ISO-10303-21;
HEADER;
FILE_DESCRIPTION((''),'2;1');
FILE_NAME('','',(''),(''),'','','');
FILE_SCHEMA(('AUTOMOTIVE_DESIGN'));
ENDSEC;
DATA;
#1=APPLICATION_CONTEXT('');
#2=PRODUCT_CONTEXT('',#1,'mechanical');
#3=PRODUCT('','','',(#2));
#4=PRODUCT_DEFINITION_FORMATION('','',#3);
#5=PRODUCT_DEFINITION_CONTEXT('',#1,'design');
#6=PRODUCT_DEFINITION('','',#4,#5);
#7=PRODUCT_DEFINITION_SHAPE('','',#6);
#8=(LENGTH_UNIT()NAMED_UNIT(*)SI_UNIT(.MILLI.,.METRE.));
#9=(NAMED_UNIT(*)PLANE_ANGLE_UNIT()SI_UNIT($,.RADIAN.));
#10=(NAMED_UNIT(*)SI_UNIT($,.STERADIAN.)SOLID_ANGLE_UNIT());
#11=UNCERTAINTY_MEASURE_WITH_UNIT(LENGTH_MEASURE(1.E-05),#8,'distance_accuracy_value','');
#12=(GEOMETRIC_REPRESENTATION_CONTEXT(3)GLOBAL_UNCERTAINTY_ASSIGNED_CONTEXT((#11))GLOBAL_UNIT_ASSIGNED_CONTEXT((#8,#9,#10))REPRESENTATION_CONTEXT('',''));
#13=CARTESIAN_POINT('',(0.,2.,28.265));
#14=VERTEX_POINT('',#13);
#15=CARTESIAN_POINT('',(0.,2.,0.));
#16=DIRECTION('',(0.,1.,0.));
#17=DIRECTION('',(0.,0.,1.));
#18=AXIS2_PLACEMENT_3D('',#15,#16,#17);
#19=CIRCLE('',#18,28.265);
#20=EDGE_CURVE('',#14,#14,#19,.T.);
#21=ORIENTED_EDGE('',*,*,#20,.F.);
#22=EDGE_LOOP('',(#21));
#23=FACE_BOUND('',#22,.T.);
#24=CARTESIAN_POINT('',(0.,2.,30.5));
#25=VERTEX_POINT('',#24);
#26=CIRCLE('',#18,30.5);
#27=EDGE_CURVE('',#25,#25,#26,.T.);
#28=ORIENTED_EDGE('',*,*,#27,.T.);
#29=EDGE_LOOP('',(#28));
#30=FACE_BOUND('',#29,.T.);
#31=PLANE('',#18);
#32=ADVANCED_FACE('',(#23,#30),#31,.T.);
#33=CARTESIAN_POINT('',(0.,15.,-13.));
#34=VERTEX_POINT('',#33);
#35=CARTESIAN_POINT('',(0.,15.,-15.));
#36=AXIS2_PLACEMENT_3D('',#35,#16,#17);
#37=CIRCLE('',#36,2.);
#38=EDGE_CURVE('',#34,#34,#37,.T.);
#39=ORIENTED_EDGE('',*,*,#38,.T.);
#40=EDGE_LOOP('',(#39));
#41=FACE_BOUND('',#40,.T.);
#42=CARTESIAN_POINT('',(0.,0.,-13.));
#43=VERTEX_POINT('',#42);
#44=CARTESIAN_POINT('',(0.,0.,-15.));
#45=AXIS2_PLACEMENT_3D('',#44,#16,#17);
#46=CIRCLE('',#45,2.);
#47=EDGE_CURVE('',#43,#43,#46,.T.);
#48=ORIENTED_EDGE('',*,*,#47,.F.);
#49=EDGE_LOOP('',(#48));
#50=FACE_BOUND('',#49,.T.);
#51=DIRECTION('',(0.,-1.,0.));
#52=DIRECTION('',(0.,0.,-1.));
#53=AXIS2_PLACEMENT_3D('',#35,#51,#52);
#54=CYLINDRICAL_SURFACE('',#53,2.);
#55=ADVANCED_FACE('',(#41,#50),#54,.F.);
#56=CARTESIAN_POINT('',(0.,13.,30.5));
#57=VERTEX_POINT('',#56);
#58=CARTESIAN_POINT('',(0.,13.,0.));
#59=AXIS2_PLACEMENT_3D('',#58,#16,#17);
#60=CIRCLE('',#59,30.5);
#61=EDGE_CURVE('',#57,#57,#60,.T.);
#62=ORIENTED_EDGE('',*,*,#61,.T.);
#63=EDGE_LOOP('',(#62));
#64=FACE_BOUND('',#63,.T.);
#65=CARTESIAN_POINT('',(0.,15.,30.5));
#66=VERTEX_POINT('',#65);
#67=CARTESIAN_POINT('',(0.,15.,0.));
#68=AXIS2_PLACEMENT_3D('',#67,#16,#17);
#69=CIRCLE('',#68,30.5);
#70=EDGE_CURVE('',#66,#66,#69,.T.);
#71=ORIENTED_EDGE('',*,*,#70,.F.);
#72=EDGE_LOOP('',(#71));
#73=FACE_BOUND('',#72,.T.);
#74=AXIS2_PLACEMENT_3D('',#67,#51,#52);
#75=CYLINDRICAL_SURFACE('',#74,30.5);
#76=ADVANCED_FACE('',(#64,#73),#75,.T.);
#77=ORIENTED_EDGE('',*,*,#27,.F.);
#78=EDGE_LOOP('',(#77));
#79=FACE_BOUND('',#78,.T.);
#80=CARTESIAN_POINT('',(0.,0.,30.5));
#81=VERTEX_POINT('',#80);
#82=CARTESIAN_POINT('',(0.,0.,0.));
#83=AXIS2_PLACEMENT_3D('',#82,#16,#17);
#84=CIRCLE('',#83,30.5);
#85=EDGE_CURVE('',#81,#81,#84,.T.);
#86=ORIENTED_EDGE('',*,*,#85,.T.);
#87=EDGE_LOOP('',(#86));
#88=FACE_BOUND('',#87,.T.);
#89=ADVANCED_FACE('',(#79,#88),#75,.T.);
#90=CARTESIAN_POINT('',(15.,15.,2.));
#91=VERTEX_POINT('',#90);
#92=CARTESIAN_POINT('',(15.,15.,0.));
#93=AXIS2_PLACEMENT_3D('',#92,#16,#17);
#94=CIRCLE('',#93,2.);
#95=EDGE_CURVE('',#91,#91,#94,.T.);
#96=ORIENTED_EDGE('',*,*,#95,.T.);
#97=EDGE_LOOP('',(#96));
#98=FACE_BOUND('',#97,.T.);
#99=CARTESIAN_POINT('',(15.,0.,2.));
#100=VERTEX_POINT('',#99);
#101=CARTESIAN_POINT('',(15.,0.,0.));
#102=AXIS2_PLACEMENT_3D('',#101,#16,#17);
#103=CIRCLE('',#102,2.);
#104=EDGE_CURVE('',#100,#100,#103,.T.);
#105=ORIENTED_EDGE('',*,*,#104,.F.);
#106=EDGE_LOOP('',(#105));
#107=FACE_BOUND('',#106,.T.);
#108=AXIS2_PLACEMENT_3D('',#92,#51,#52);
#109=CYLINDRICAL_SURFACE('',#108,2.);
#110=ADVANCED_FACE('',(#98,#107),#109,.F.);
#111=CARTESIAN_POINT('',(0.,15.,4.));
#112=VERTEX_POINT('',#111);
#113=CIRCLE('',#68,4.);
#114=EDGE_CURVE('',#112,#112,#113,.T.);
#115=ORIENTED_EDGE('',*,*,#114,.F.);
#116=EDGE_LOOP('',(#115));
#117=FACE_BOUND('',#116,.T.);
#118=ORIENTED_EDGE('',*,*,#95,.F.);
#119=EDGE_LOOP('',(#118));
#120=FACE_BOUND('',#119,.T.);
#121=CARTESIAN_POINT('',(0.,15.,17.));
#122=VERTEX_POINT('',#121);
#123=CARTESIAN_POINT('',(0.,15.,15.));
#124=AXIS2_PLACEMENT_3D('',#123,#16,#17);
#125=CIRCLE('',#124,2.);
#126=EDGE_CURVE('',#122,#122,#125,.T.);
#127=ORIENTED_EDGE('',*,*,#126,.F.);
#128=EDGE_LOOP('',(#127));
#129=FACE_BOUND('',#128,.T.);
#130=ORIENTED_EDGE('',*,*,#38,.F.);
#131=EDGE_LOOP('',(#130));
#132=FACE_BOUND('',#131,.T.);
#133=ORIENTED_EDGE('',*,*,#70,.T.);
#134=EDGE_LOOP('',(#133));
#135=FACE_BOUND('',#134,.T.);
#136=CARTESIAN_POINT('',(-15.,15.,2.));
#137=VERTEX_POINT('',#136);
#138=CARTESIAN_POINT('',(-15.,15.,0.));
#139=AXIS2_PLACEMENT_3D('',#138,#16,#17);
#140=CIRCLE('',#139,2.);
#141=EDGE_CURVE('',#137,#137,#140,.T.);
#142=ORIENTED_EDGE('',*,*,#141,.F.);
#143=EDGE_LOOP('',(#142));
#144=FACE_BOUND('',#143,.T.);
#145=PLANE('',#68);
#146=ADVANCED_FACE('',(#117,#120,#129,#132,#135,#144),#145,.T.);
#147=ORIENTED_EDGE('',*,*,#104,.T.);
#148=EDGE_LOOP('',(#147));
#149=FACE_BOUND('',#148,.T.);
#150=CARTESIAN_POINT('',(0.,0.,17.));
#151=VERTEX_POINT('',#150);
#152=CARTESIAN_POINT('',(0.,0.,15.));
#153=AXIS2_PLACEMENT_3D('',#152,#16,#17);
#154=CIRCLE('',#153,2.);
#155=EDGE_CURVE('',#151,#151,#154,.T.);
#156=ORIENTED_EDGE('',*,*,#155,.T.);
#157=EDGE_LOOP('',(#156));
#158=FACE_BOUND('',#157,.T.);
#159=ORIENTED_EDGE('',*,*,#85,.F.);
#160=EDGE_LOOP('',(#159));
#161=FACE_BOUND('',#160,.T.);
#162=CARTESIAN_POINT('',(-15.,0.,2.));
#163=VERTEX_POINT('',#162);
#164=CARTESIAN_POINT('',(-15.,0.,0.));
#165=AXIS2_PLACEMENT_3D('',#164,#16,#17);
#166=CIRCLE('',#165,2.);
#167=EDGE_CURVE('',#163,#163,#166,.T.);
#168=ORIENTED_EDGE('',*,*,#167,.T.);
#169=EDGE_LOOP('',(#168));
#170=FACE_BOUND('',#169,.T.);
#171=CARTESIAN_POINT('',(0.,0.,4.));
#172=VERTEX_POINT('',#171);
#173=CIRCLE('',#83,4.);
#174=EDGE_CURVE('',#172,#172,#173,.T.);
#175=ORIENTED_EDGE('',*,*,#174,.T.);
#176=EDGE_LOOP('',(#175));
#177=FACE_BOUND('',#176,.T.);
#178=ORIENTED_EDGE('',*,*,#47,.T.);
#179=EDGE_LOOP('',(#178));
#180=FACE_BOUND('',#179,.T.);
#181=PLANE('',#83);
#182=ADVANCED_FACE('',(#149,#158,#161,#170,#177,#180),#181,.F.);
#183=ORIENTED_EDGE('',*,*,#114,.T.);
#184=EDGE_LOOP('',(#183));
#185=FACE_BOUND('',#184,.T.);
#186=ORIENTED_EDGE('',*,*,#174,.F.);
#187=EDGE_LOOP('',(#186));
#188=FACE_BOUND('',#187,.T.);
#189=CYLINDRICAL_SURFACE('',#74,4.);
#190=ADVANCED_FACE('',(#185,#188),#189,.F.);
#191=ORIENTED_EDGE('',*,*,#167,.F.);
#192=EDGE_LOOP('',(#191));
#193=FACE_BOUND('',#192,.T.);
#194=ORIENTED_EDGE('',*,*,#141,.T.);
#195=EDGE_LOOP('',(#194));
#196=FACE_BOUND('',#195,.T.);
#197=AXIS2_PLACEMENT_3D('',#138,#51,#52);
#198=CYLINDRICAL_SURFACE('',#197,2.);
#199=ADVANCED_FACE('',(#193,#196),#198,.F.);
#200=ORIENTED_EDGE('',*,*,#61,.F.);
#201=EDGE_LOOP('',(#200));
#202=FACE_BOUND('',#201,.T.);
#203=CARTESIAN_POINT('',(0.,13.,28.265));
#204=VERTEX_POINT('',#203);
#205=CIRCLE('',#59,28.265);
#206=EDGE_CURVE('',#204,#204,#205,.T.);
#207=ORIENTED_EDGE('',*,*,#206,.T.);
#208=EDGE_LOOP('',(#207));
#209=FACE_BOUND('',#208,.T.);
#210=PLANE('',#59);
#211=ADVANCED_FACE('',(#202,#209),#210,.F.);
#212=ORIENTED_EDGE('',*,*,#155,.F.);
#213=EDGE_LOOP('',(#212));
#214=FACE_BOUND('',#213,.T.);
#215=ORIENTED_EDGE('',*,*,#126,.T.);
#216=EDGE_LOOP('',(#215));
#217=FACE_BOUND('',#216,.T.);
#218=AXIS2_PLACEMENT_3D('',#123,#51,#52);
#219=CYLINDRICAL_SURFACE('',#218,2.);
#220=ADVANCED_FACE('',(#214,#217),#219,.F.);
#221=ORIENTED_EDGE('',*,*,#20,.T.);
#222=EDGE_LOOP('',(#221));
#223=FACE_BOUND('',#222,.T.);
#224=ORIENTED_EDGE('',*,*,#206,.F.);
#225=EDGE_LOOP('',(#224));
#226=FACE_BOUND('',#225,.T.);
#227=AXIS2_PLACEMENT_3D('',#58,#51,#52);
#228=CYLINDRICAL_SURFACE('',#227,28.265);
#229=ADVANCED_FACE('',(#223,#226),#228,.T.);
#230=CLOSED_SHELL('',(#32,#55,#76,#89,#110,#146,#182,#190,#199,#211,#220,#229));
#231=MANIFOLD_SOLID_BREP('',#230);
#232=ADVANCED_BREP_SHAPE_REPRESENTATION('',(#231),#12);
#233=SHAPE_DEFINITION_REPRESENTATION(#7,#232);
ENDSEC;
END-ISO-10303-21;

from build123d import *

# Parameters (mm, degrees)
SKETCH_1_R          = 30.5
SKETCH_1_R_2        = 4
SKETCH_1_R_3        = 2
EXTRUDE_1_DEPTH     = 15
CUT_EXTRUDE_START   = 2
SKETCH_2_R          = 30.5
SKETCH_2_R_2        = 28.265
CUT_EXTRUDE_1_DEPTH = 11


with BuildPart() as part:
    # 草图1 → 凸台-拉伸1 (new body)
    with BuildSketch(Plane(origin=(0, 0, 0), x_dir=(1, 0, 0), z_dir=(0, 1, 0))):
        with Locations(Location((0, 0, 0), (0, 0, 270))):
            Circle(SKETCH_1_R)
        with Locations(Location((0, 0, 0), (0, 0, 270))):
            Circle(SKETCH_1_R_2, mode=Mode.SUBTRACT)
        with Locations(Location((0, 15, 0), (0, 0, 270))):
            Circle(SKETCH_1_R_3, mode=Mode.SUBTRACT)
        with Locations(Location((15, 0, 0), (0, 0, 270))):
            Circle(SKETCH_1_R_3, mode=Mode.SUBTRACT)
        with Locations(Location((0, -15, 0), (0, 0, 270))):
            Circle(SKETCH_1_R_3, mode=Mode.SUBTRACT)
        with Locations(Location((-15, 0, 0), (0, 0, 270))):
            Circle(SKETCH_1_R_3, mode=Mode.SUBTRACT)
    extrude(amount=EXTRUDE_1_DEPTH)

    # 草图2 → 切除-拉伸1 (cut)
    with BuildSketch(Plane(origin=(0, 0, 0), x_dir=(1, 0, 0), z_dir=(0, 1, 0)).offset(CUT_EXTRUDE_START)):
        with Locations(Location((0, 0, 0), (0, 0, 270))):
            Circle(SKETCH_2_R)
        with Locations(Location((0, 0, 0), (0, 0, 270))):
            Circle(SKETCH_2_R_2, mode=Mode.SUBTRACT)
    extrude(amount=CUT_EXTRUDE_1_DEPTH, mode=Mode.SUBTRACT)


solid = part.part
